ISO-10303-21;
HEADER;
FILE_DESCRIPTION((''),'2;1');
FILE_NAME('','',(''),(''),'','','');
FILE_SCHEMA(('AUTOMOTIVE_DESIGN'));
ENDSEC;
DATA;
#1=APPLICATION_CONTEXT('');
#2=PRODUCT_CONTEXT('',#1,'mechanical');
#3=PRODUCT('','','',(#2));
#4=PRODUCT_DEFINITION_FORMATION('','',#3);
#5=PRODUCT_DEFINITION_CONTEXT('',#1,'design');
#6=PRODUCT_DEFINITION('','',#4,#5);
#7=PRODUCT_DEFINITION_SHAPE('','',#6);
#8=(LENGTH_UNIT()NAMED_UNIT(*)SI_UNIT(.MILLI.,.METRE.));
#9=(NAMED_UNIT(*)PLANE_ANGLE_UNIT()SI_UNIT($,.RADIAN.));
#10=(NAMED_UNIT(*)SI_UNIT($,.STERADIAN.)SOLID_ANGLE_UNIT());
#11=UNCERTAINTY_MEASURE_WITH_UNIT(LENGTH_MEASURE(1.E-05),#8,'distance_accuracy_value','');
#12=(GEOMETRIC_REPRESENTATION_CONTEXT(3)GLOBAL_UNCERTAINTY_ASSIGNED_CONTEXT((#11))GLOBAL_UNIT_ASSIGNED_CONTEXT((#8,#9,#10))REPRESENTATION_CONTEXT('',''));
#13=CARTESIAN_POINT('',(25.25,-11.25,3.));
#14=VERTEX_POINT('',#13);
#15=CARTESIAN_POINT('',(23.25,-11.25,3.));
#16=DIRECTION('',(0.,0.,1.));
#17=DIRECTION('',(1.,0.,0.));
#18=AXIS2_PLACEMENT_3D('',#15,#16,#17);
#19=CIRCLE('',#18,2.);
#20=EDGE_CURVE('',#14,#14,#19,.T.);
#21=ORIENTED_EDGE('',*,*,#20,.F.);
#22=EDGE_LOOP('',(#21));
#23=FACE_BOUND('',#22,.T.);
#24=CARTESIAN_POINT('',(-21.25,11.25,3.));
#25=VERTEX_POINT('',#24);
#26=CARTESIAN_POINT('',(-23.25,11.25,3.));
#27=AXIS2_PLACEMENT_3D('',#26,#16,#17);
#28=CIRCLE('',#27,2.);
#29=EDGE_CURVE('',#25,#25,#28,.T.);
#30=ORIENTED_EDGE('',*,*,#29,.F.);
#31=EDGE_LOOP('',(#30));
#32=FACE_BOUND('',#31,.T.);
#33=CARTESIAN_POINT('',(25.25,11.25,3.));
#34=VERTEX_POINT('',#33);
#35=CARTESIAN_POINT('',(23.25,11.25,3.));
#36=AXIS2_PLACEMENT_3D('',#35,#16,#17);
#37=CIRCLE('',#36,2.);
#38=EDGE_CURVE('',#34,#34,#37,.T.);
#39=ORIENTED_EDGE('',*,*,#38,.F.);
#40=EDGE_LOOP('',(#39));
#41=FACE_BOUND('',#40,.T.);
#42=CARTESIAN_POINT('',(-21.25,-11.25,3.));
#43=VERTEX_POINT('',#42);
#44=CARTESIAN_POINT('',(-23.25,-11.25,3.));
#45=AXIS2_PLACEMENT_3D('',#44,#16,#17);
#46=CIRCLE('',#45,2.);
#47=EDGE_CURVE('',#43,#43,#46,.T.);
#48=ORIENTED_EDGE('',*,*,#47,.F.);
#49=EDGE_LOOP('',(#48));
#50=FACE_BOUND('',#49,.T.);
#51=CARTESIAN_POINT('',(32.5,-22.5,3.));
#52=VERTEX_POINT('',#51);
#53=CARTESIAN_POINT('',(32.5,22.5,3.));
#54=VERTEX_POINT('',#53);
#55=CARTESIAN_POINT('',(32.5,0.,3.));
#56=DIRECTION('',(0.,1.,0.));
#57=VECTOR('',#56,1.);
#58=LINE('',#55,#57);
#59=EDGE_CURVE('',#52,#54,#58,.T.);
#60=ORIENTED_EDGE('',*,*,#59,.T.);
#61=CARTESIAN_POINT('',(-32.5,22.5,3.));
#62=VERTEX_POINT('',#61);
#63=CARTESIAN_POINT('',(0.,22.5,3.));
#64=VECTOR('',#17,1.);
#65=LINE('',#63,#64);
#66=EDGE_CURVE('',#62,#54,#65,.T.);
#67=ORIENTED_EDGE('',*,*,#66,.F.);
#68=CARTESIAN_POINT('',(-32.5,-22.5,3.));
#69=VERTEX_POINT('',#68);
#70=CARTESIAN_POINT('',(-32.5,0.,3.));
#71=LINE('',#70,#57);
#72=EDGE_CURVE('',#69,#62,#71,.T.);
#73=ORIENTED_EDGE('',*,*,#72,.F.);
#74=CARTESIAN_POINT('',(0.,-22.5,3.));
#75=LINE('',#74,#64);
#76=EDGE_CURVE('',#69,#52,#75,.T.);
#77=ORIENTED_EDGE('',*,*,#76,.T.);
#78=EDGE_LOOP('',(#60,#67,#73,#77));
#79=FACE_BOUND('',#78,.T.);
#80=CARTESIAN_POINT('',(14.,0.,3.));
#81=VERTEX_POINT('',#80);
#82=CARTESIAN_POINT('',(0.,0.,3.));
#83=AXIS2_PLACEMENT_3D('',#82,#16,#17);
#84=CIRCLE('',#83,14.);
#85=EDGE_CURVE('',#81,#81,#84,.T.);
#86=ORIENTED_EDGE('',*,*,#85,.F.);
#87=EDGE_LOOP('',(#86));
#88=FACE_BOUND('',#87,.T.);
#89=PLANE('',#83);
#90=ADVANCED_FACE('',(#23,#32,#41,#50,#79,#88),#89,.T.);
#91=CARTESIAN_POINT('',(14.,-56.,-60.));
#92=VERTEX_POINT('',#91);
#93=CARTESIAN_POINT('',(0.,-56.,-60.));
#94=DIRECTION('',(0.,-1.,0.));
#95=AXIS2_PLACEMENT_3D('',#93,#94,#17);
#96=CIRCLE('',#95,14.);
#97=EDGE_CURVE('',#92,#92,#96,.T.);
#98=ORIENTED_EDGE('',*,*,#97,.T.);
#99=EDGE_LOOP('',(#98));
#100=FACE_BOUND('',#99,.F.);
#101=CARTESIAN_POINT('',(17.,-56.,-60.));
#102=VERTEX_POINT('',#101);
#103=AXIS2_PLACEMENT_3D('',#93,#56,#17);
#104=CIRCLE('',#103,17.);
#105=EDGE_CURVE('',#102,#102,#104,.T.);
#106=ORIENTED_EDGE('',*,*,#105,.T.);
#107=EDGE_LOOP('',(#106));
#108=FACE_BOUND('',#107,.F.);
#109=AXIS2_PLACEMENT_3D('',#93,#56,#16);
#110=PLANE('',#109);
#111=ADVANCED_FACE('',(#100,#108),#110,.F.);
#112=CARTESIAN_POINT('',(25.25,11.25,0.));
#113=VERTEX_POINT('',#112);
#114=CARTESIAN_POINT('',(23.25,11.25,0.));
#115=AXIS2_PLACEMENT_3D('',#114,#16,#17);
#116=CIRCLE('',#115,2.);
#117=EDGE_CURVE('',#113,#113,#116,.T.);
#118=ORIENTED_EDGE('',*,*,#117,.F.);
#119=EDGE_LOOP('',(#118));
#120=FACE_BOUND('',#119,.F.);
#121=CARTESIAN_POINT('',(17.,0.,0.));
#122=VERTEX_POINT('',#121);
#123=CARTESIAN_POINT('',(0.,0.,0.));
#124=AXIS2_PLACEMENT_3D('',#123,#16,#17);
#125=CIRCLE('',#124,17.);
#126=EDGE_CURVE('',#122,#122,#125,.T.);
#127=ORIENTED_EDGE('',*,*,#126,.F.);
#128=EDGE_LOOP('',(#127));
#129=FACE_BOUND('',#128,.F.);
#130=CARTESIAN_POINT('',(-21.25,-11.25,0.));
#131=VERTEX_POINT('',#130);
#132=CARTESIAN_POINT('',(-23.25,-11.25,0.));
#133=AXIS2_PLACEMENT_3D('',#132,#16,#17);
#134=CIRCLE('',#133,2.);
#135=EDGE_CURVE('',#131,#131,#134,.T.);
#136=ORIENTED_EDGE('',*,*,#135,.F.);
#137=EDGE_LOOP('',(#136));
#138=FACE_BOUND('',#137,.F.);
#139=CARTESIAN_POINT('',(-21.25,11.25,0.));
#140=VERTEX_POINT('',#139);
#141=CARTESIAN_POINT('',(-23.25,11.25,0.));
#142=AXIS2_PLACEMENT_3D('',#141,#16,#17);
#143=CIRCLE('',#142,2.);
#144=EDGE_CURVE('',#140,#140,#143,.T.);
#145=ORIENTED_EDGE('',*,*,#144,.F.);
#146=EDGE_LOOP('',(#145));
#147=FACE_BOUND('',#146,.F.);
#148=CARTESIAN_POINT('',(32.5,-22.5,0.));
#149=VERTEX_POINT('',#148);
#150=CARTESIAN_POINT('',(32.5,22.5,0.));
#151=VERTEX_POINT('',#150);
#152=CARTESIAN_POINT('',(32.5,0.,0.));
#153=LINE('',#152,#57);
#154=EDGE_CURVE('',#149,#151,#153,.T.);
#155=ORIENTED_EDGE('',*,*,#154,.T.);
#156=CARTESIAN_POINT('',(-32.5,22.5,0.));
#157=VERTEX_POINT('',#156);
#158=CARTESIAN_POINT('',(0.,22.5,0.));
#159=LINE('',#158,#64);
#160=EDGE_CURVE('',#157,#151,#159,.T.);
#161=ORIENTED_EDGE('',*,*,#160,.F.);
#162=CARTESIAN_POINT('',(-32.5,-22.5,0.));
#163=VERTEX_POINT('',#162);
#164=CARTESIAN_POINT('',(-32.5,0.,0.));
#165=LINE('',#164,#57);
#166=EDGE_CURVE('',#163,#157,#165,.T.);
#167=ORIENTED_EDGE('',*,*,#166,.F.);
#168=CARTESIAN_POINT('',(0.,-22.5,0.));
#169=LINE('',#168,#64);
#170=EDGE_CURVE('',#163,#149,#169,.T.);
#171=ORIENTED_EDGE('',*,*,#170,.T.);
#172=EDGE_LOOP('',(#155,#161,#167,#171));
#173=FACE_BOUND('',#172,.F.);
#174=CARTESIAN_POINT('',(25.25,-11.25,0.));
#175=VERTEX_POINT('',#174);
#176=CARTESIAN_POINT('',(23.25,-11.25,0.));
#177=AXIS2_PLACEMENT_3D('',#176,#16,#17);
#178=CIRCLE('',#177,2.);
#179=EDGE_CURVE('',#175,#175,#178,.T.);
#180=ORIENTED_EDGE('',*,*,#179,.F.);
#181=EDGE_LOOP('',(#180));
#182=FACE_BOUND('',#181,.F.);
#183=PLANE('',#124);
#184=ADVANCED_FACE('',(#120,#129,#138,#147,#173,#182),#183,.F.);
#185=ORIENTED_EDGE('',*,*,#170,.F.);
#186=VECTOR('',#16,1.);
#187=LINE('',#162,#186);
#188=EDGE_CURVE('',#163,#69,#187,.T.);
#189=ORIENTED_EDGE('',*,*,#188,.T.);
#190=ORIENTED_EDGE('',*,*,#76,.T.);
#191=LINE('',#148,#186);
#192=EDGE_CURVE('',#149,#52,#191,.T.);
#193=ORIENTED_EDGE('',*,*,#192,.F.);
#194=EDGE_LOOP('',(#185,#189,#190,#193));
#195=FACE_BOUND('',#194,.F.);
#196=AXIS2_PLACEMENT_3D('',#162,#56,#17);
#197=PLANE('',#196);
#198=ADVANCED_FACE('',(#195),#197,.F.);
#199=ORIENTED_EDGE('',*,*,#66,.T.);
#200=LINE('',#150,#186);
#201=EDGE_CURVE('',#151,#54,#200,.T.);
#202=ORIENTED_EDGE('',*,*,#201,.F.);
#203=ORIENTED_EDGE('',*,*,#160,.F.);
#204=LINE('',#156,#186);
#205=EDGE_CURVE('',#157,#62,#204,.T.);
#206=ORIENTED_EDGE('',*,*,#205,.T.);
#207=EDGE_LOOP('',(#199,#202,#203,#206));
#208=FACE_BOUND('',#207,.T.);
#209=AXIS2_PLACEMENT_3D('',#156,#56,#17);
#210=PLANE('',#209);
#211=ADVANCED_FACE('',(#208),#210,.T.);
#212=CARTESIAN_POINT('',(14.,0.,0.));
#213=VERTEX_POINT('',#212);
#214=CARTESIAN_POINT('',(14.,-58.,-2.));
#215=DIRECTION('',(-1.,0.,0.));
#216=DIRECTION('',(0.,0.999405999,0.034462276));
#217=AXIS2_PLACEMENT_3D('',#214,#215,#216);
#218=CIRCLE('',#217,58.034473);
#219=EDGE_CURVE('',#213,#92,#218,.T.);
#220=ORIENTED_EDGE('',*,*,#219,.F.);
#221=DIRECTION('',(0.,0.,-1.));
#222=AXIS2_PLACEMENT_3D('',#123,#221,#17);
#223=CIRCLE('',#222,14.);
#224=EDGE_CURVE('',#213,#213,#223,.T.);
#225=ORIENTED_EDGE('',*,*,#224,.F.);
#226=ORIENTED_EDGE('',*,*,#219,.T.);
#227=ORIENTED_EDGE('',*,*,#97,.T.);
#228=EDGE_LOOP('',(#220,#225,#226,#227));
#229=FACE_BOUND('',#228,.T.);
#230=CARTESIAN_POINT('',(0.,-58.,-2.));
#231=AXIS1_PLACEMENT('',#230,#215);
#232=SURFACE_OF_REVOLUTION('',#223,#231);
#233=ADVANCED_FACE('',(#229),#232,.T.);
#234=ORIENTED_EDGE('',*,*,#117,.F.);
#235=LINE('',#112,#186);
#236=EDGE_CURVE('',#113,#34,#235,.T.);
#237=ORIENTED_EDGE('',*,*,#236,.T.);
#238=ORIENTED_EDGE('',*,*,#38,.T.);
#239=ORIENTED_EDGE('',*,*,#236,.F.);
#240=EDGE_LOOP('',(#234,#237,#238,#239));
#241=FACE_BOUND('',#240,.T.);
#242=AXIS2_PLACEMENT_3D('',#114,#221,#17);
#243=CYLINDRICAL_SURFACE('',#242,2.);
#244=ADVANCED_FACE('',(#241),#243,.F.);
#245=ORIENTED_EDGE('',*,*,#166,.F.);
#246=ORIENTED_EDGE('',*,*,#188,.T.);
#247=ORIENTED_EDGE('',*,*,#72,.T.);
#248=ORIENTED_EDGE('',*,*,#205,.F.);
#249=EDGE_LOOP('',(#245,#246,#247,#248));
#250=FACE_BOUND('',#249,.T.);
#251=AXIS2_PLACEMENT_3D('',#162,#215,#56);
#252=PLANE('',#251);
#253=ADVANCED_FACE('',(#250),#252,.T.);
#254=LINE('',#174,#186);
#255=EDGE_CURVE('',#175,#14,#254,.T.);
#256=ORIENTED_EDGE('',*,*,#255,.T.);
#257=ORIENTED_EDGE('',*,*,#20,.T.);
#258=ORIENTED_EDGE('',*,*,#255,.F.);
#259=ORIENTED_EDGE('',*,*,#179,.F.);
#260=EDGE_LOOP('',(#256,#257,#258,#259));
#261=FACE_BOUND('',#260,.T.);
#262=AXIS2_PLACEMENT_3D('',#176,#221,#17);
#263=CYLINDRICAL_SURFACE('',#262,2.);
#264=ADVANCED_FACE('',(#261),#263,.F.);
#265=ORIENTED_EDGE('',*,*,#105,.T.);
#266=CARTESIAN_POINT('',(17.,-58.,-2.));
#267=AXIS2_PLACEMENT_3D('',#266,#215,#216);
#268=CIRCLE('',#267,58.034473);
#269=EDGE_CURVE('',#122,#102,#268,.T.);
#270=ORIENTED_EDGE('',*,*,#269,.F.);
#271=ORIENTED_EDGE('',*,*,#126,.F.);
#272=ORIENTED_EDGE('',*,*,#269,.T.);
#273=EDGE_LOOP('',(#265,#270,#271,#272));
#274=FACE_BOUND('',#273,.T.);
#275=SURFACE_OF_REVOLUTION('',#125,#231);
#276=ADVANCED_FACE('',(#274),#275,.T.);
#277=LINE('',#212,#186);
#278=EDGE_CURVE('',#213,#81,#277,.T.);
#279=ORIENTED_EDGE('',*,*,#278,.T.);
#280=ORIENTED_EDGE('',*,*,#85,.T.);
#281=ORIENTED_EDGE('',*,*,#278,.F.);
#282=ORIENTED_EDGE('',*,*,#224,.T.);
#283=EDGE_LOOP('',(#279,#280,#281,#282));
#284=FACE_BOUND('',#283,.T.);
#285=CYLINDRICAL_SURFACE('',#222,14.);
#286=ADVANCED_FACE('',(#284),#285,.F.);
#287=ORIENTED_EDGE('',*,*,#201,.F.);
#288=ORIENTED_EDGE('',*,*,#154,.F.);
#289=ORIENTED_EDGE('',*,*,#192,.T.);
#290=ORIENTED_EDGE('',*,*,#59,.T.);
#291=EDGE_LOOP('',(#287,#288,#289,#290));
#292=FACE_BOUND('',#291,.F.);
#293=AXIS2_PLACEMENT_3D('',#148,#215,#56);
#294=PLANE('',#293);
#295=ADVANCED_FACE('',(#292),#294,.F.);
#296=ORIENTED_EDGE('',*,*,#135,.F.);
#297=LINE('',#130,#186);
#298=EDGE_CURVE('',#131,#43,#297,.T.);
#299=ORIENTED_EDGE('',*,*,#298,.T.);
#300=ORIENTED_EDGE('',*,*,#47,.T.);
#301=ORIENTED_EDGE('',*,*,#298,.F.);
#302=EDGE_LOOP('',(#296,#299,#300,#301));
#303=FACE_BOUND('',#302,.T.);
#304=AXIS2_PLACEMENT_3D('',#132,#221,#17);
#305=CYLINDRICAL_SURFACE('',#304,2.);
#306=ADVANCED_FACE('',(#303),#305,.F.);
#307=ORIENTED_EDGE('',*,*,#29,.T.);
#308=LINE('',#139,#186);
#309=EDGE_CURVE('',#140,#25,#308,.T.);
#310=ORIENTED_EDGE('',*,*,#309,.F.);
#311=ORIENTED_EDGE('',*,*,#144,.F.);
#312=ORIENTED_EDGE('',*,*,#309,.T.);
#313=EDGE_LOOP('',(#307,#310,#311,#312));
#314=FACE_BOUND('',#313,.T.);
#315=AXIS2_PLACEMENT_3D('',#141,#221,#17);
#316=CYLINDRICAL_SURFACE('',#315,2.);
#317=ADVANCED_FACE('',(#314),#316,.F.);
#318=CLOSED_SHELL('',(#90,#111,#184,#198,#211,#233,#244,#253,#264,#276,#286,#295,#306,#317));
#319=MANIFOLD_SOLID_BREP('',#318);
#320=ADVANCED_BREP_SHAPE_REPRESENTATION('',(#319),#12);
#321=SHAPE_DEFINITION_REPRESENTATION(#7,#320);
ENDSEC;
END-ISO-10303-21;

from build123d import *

# Parameters (mm, degrees)
ESQUISSE1_R        = 17
ESQUISSE1_R_2      = 14
ESQUISSE3_W        = 65
ESQUISSE3_H        = 45
ESQUISSE3_R        = 14
ESQUISSE3_R_2      = 2
BOSS_EXTRU_1_DEPTH = 3


with BuildPart() as part:
    # Balayage1: sweep along a path in Esquisse2
    with BuildLine(Plane(origin=(0, 0, 0), x_dir=(0, 0, -1), z_dir=(1, 0, 0))) as balayage1_path:
        ThreePointArc((0, 0), (41.597979746, -15.573593129), (60, -56))
    # Esquisse1 → Balayage1 (sweep)
    with BuildSketch(Plane.XY):
        Circle(ESQUISSE1_R)
        Circle(ESQUISSE1_R_2, mode=Mode.SUBTRACT)
    sweep(path=balayage1_path.line)

    # Esquisse3 → Boss.-Extru.1 (add)
    with BuildSketch(Plane.XY):
        Rectangle(ESQUISSE3_W, ESQUISSE3_H)
        Circle(ESQUISSE3_R, mode=Mode.SUBTRACT)
        with Locations((-23.25, 11.25)):
            Circle(ESQUISSE3_R_2, mode=Mode.SUBTRACT)
        with Locations((-23.25, -11.25)):
            Circle(ESQUISSE3_R_2, mode=Mode.SUBTRACT)
        with Locations((23.25, -11.25)):
            Circle(ESQUISSE3_R_2, mode=Mode.SUBTRACT)
        with Locations((23.25, 11.25)):
            Circle(ESQUISSE3_R_2, mode=Mode.SUBTRACT)
    extrude(amount=BOSS_EXTRU_1_DEPTH)


solid = part.part
